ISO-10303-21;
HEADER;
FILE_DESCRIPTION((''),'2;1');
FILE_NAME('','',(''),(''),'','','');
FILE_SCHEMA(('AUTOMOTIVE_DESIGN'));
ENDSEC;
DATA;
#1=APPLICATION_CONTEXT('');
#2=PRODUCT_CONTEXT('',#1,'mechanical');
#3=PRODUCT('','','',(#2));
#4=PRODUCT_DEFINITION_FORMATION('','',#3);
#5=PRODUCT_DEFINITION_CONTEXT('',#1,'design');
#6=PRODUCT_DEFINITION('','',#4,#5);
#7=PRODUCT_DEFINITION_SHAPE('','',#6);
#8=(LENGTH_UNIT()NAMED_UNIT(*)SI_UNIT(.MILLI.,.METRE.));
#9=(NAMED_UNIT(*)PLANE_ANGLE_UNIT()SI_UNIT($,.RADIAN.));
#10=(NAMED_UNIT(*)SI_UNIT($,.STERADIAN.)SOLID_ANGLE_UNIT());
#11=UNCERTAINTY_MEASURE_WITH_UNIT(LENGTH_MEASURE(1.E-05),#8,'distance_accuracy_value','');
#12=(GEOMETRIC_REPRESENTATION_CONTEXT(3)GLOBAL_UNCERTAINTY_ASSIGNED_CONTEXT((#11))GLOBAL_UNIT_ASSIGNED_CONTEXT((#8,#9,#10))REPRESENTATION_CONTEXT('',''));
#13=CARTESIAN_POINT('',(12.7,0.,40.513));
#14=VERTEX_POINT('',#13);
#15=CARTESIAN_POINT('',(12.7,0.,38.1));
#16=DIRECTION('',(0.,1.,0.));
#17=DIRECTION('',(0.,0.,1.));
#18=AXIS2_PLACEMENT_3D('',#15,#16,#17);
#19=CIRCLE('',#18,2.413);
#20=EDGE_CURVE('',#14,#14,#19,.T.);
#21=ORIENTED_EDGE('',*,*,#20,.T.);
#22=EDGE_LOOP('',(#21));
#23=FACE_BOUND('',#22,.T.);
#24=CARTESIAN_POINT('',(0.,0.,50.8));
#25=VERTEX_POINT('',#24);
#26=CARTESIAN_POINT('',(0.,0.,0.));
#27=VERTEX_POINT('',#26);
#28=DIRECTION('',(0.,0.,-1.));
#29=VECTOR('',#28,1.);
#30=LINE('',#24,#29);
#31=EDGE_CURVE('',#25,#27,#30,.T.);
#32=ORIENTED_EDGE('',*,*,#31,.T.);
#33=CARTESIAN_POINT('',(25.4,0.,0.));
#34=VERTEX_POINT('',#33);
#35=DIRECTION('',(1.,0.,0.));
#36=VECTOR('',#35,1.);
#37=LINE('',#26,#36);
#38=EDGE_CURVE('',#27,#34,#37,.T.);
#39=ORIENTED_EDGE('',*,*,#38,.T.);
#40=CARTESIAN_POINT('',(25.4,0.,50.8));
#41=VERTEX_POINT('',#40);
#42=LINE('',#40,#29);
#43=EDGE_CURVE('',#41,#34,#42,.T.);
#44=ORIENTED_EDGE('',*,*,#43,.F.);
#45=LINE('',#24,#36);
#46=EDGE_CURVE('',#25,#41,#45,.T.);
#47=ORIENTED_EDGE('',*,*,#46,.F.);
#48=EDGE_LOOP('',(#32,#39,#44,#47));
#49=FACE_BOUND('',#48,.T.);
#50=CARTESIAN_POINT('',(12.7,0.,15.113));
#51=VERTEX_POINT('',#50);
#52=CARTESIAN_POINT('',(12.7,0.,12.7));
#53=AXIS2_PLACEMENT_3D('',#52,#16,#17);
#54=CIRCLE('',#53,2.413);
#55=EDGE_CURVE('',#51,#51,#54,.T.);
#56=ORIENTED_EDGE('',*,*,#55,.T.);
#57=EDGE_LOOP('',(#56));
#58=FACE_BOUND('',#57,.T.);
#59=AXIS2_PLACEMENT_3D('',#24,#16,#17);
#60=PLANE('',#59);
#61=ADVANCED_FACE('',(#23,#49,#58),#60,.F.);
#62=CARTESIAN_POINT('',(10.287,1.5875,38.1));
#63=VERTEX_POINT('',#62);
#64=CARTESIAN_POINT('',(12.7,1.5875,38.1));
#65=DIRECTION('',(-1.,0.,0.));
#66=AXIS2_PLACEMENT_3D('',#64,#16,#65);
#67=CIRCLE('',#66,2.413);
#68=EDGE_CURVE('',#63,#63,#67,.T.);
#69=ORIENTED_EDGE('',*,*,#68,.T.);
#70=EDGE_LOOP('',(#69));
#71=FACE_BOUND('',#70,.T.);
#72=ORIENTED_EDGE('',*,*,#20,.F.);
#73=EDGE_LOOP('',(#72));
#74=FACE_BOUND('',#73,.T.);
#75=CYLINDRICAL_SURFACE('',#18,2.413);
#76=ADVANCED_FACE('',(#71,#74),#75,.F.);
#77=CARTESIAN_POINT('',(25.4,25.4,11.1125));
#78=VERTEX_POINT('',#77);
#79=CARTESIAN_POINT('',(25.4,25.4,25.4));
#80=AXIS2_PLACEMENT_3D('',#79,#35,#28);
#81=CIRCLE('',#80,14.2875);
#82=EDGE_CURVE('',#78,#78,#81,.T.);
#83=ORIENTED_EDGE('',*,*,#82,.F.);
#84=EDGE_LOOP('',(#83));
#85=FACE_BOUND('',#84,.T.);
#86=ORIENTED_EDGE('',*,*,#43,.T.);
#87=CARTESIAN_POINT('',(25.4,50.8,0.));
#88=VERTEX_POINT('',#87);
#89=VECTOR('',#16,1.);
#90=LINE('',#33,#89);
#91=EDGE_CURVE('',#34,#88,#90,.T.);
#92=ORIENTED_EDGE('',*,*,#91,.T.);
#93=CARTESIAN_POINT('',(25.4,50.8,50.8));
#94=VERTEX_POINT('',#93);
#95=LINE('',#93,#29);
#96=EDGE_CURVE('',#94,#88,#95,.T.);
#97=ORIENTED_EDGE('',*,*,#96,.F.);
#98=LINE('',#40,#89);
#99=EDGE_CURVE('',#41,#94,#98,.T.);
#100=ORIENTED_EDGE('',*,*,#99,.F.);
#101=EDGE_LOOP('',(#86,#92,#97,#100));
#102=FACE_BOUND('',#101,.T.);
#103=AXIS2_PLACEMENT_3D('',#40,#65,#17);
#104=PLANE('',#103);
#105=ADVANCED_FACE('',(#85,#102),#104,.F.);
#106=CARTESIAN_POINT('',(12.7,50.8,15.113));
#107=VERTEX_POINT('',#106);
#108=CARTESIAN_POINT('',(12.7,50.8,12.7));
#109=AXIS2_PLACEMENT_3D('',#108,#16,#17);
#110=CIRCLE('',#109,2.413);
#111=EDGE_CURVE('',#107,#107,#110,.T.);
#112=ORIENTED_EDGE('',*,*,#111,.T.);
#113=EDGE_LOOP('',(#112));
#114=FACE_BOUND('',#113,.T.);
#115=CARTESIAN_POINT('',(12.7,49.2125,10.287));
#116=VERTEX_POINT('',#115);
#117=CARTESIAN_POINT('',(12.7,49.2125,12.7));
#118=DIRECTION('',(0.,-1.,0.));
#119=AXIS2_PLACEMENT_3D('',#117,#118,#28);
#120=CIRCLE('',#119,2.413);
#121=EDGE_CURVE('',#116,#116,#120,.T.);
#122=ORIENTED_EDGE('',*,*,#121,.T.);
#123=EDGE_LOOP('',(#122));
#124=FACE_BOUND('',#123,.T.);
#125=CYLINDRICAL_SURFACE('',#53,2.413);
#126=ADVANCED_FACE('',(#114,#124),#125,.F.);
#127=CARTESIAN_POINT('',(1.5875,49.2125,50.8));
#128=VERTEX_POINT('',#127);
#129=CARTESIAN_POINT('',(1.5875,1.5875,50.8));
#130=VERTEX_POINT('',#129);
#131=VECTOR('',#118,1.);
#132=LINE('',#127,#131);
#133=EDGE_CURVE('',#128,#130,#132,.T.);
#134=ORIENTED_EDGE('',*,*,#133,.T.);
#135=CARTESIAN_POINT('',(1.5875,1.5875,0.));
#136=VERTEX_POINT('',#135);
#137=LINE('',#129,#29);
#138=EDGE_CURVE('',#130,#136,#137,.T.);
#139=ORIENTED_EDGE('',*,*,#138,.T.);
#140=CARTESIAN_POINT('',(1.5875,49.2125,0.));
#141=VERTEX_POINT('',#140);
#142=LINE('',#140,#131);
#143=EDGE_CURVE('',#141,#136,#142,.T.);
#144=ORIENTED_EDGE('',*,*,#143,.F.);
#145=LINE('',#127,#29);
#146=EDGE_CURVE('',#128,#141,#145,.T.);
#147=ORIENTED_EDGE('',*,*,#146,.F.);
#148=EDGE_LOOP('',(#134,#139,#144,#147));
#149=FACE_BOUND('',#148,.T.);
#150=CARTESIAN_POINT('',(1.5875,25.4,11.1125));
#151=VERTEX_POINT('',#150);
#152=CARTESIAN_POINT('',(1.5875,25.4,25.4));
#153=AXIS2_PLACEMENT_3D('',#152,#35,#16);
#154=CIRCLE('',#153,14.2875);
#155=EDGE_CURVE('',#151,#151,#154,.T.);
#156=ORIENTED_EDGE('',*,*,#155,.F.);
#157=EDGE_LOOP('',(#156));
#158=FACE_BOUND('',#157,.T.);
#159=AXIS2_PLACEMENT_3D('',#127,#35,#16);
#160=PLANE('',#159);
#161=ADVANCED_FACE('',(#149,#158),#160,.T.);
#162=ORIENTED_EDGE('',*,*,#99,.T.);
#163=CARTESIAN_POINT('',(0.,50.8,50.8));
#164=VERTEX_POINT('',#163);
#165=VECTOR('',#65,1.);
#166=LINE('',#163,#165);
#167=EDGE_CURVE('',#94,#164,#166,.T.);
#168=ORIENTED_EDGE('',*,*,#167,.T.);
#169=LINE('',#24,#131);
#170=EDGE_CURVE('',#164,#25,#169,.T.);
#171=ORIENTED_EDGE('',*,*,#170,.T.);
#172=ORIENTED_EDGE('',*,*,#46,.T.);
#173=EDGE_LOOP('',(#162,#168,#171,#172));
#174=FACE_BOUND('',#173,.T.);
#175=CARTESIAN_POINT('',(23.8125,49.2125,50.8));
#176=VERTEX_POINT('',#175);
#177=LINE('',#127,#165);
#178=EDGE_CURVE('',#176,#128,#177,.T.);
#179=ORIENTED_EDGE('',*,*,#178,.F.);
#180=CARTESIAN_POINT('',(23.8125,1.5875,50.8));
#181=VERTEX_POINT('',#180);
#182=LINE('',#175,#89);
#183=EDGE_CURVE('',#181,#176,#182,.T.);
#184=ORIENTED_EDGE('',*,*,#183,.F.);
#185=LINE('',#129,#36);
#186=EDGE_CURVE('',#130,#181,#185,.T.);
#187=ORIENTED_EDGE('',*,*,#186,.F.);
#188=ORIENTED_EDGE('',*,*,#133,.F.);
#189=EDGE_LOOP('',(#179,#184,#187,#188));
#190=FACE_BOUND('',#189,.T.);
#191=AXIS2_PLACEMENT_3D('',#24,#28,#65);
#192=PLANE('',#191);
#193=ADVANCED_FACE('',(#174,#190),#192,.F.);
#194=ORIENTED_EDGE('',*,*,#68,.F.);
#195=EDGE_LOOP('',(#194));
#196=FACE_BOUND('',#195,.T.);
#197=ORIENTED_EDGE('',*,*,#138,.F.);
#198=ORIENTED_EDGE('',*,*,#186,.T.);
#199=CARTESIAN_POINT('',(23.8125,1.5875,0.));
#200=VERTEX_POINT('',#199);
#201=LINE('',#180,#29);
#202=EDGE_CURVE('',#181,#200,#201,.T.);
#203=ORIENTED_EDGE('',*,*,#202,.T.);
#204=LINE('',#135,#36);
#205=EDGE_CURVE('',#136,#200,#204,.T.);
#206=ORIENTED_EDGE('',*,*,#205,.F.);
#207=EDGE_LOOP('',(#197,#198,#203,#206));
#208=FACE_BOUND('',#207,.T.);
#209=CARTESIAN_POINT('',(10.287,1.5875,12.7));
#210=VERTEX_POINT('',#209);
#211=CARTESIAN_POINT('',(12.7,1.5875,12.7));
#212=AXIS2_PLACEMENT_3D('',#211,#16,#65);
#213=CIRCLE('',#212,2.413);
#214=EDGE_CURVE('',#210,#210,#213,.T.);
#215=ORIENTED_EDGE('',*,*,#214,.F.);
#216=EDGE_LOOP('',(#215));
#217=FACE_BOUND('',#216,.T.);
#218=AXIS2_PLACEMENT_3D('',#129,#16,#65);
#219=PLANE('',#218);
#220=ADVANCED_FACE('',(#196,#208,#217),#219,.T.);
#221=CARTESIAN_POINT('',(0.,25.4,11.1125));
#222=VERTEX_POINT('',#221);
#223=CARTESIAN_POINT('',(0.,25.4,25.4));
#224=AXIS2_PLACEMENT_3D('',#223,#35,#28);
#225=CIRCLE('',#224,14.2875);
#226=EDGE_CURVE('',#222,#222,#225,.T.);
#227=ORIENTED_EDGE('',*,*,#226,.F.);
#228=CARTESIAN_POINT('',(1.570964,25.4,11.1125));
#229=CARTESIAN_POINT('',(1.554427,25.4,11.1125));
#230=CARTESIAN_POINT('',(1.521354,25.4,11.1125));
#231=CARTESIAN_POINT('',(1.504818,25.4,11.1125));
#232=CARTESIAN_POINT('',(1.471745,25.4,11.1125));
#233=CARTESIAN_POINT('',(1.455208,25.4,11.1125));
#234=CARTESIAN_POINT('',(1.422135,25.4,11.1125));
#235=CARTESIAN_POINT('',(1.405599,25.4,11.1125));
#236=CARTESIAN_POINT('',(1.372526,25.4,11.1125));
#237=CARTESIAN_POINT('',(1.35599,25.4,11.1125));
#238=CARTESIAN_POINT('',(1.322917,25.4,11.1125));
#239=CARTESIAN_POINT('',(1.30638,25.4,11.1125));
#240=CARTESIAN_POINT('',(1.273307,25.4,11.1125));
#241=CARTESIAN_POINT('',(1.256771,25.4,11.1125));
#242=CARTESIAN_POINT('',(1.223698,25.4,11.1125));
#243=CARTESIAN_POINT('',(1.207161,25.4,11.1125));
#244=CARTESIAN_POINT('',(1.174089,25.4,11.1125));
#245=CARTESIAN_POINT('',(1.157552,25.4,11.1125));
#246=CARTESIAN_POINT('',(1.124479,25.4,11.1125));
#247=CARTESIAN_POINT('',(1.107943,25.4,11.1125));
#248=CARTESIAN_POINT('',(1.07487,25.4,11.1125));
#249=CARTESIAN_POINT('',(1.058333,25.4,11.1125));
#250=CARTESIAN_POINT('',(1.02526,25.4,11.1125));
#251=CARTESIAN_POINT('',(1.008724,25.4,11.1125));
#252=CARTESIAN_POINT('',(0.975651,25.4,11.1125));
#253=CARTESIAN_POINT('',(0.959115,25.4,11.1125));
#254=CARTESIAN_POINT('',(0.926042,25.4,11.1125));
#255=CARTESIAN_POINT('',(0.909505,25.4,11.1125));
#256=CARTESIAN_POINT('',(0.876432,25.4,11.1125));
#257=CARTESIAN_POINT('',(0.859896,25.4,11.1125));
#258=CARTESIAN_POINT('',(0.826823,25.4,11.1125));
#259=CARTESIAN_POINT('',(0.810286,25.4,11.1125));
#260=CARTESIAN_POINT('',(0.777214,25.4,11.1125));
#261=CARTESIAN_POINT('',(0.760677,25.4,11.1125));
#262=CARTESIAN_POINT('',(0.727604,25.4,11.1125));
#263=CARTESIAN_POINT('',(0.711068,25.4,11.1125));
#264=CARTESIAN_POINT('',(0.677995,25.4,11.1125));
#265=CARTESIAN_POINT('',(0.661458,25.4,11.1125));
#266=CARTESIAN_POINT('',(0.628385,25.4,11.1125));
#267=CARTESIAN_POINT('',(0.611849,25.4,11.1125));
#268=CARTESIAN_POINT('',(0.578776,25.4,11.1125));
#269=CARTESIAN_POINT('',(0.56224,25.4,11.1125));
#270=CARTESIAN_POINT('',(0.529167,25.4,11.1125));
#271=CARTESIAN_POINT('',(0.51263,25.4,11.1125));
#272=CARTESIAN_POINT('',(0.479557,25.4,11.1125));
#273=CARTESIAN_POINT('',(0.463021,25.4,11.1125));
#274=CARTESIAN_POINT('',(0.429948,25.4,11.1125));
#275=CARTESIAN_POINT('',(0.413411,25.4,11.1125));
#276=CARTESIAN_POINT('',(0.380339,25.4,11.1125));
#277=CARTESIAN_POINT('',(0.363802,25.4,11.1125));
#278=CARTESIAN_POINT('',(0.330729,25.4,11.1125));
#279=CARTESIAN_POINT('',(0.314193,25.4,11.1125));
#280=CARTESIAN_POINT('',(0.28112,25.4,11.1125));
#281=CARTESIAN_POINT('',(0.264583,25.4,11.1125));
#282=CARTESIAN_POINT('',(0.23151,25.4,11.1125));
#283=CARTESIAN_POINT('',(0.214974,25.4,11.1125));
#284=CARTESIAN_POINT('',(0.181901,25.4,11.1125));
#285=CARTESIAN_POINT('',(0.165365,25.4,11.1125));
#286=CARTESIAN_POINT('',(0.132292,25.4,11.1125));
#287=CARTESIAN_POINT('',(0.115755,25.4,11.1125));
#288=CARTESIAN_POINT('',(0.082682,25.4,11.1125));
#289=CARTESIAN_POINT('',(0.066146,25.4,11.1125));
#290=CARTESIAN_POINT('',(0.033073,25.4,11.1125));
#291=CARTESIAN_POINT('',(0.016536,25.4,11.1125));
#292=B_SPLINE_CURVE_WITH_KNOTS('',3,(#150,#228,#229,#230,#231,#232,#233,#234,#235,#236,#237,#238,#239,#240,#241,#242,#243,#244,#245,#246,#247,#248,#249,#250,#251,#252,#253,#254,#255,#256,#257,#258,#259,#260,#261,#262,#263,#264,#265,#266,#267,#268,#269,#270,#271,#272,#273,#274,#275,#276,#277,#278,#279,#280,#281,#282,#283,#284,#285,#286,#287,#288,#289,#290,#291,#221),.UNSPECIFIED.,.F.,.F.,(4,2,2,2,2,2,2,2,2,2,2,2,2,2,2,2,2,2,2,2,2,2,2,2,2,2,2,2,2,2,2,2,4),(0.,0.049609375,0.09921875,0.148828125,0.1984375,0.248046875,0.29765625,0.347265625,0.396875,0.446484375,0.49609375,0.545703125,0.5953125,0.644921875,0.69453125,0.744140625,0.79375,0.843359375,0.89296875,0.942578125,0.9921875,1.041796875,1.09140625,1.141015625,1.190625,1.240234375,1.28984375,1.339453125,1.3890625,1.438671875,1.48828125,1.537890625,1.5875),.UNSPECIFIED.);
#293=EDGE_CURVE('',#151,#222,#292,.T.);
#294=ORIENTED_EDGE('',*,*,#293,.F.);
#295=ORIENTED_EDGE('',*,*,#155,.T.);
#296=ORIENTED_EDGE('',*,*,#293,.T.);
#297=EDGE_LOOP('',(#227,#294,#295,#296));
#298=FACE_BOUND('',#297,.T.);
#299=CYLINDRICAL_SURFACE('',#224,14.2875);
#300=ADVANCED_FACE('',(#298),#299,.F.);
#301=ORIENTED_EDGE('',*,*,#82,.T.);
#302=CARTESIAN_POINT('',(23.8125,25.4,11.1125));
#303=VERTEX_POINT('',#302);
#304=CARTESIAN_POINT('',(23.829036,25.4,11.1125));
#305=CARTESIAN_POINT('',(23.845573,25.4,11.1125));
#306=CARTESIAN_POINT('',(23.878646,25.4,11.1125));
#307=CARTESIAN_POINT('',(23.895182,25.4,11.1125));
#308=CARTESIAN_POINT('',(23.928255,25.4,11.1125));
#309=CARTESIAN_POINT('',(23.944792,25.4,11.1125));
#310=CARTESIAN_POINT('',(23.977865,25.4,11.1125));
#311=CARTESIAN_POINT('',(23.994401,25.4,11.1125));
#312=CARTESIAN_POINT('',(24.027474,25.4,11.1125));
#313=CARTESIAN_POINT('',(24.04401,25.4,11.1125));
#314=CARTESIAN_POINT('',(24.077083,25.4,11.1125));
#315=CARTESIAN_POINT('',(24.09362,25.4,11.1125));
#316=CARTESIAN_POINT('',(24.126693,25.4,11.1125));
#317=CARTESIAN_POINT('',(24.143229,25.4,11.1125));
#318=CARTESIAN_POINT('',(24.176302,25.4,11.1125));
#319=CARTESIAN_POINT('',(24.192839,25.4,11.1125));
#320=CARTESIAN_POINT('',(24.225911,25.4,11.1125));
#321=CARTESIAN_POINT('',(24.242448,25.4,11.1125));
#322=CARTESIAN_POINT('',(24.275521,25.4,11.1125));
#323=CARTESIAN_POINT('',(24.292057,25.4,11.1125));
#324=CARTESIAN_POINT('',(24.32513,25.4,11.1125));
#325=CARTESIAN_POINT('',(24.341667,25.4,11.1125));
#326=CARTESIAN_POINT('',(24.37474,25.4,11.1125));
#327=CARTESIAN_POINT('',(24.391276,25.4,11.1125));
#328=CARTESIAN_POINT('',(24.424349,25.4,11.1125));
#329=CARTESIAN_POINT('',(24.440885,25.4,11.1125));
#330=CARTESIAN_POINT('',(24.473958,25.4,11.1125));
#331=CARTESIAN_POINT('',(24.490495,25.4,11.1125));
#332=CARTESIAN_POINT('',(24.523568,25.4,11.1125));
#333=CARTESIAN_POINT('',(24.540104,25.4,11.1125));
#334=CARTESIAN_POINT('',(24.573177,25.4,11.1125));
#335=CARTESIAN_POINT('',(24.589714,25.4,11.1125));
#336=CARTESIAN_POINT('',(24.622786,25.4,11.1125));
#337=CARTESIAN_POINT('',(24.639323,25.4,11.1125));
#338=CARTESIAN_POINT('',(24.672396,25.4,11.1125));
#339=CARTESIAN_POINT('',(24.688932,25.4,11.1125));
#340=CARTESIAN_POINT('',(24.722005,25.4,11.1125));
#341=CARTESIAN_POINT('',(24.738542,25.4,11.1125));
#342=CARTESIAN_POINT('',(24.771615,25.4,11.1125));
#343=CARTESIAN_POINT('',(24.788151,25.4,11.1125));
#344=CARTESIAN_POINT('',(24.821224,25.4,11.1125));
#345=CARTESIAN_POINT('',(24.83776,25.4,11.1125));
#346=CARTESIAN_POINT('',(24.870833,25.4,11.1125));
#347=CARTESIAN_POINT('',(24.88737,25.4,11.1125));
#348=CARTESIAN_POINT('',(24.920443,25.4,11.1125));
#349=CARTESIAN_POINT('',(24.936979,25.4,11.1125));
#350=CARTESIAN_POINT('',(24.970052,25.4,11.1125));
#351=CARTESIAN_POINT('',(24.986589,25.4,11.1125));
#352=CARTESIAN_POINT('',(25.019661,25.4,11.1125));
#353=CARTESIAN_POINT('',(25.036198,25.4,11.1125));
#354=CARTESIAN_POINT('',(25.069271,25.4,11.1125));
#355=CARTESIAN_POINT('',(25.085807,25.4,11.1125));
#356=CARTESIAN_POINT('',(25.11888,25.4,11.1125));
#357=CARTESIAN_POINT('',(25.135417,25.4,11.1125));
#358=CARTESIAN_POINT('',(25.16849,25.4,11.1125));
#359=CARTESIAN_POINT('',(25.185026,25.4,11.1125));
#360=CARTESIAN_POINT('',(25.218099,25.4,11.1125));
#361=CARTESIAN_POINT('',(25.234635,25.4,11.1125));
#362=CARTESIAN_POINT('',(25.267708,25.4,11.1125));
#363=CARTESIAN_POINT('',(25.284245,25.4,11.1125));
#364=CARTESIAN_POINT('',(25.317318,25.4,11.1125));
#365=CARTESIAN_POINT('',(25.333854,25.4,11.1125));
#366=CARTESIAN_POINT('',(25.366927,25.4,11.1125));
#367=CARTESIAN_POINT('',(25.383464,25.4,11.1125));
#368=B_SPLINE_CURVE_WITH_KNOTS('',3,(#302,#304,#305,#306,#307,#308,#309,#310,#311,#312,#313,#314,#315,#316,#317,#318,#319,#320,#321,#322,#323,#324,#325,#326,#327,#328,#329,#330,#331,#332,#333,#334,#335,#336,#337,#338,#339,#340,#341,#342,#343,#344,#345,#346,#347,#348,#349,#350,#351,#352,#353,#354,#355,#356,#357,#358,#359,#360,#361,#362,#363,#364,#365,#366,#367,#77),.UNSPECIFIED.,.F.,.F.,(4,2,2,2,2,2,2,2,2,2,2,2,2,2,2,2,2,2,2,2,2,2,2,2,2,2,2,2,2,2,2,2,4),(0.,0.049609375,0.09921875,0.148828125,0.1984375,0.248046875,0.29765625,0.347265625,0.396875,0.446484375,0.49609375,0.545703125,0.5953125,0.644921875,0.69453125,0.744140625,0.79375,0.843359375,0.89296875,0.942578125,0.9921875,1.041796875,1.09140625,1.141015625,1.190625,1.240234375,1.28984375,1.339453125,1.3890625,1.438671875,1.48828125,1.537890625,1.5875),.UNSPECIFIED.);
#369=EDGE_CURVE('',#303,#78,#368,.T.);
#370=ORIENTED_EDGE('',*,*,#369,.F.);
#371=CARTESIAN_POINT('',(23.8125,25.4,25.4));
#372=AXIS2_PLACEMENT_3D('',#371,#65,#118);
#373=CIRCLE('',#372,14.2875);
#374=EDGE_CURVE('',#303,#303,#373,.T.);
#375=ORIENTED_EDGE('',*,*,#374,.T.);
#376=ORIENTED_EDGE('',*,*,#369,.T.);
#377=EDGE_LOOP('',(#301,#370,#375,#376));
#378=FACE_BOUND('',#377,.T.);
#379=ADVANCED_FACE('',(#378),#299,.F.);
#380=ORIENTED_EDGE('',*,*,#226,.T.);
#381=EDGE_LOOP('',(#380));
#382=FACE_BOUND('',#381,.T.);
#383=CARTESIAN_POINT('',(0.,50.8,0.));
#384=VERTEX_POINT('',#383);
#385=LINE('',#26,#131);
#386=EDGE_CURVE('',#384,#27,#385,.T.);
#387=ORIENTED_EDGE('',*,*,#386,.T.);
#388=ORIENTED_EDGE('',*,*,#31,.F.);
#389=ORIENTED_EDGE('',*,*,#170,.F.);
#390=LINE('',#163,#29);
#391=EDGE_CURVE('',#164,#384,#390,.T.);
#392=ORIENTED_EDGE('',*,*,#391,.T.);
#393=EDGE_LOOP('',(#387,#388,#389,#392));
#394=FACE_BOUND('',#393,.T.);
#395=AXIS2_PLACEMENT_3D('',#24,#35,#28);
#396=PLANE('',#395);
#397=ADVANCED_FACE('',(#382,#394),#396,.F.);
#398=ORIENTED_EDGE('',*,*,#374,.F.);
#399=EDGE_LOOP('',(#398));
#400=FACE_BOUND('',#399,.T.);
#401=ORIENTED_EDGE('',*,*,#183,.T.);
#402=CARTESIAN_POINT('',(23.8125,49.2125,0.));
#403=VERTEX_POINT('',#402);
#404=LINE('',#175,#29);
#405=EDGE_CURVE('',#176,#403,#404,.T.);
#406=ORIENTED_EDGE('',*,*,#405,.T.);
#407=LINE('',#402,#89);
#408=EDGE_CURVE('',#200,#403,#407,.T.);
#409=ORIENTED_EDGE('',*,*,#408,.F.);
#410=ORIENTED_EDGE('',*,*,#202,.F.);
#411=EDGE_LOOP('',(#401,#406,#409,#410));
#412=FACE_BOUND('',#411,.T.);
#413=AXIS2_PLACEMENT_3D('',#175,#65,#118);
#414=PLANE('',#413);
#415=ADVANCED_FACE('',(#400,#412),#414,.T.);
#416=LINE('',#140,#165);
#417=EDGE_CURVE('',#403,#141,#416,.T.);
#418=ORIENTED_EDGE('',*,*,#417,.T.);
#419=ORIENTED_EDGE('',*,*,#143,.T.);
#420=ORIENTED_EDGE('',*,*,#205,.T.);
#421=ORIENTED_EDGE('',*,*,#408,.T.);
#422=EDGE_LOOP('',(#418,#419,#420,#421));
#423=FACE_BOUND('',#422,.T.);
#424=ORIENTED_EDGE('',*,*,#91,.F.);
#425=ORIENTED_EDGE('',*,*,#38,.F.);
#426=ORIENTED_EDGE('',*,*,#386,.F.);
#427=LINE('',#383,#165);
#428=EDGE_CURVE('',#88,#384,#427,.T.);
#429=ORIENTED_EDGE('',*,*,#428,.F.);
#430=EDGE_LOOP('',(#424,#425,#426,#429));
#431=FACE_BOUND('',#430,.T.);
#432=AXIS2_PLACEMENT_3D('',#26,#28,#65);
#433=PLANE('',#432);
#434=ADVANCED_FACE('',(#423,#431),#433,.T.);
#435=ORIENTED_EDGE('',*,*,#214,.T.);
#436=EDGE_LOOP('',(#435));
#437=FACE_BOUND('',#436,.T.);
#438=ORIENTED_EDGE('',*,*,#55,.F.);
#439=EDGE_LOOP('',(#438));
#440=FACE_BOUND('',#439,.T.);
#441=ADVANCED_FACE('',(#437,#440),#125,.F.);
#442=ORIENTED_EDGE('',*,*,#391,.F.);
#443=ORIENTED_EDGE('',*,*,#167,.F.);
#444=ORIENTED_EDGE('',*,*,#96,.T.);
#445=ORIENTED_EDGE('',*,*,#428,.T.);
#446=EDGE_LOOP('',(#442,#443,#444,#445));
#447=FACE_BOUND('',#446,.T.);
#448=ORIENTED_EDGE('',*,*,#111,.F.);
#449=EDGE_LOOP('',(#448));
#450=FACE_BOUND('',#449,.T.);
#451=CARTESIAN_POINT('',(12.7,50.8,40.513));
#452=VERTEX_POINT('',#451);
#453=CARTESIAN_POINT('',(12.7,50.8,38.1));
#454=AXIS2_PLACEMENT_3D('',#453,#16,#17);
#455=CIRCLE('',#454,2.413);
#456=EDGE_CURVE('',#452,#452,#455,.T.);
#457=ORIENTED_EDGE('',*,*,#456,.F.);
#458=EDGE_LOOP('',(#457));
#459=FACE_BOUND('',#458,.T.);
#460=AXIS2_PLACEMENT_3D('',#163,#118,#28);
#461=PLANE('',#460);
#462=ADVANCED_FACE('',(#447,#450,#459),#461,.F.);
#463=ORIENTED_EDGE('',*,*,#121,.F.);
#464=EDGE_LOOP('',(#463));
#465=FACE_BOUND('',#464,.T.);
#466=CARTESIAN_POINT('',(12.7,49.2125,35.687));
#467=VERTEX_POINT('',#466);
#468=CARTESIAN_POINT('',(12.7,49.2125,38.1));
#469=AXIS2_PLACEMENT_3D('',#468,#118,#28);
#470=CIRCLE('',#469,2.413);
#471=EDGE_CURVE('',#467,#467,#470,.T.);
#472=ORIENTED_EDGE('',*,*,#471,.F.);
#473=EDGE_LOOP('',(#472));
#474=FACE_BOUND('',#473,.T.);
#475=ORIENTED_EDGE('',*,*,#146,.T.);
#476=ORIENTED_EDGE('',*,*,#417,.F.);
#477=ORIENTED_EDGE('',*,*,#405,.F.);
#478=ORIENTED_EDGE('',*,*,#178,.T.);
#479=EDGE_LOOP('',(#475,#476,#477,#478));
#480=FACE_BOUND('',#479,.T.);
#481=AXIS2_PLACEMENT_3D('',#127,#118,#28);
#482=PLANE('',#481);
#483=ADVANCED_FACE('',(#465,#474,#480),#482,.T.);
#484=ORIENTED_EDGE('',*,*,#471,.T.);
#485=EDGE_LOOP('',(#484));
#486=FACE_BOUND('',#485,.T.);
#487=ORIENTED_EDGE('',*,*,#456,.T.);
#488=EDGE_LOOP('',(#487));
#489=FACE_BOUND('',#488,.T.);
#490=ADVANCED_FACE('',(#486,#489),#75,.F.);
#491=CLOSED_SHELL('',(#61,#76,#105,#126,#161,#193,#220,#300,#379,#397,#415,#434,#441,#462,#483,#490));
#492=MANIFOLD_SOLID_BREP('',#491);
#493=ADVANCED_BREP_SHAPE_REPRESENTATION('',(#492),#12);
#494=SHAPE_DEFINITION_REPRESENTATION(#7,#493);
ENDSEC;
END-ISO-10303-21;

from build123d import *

# Parameters (mm, degrees)
SKETCH1_W           = 25.4
SKETCH1_H           = 50.8
SKETCH1_W_2         = 22.225
SKETCH1_H_2         = 47.625
BOSS_EXTRUDE1_DEPTH = 50.8
SKETCH2_R           = 2.413
CUT_EXTRUDE1_DEPTH  = 77.2
SKETCH3_R           = 14.2875
CUT_EXTRUDE2_DEPTH  = 77.2


with BuildPart() as part:
    # Sketch1 → Boss-Extrude1 (new body)
    with BuildSketch(Plane.XY):
        with Locations((12.7, 25.4)):
            Rectangle(SKETCH1_W, SKETCH1_H)
        with Locations((12.7, 25.4)):
            Rectangle(SKETCH1_W_2, SKETCH1_H_2, mode=Mode.SUBTRACT)
    extrude(amount=BOSS_EXTRUDE1_DEPTH)

    # Sketch2 → Cut-Extrude1 (cut, through all)
    with BuildSketch(Plane(origin=(0, 50.8, 0), x_dir=(1, 0, 0), z_dir=(0, 1, 0))):
        with Locations(Location((12.7, -12.7, 0), (0, 0, 270))):
            Circle(SKETCH2_R)
        with Locations(Location((12.7, -38.1, 0), (0, 0, 270))):
            Circle(SKETCH2_R)
    extrude(amount=-CUT_EXTRUDE1_DEPTH, mode=Mode.SUBTRACT)

    # Sketch3 → Cut-Extrude2 (cut, through all)
    with BuildSketch(Plane(origin=(25.4, 0, 0), x_dir=(0, 0, -1), z_dir=(1, 0, 0))):
        with Locations((-25.4, 25.4)):
            Circle(SKETCH3_R)
    extrude(amount=-CUT_EXTRUDE2_DEPTH, mode=Mode.SUBTRACT)


solid = part.part
